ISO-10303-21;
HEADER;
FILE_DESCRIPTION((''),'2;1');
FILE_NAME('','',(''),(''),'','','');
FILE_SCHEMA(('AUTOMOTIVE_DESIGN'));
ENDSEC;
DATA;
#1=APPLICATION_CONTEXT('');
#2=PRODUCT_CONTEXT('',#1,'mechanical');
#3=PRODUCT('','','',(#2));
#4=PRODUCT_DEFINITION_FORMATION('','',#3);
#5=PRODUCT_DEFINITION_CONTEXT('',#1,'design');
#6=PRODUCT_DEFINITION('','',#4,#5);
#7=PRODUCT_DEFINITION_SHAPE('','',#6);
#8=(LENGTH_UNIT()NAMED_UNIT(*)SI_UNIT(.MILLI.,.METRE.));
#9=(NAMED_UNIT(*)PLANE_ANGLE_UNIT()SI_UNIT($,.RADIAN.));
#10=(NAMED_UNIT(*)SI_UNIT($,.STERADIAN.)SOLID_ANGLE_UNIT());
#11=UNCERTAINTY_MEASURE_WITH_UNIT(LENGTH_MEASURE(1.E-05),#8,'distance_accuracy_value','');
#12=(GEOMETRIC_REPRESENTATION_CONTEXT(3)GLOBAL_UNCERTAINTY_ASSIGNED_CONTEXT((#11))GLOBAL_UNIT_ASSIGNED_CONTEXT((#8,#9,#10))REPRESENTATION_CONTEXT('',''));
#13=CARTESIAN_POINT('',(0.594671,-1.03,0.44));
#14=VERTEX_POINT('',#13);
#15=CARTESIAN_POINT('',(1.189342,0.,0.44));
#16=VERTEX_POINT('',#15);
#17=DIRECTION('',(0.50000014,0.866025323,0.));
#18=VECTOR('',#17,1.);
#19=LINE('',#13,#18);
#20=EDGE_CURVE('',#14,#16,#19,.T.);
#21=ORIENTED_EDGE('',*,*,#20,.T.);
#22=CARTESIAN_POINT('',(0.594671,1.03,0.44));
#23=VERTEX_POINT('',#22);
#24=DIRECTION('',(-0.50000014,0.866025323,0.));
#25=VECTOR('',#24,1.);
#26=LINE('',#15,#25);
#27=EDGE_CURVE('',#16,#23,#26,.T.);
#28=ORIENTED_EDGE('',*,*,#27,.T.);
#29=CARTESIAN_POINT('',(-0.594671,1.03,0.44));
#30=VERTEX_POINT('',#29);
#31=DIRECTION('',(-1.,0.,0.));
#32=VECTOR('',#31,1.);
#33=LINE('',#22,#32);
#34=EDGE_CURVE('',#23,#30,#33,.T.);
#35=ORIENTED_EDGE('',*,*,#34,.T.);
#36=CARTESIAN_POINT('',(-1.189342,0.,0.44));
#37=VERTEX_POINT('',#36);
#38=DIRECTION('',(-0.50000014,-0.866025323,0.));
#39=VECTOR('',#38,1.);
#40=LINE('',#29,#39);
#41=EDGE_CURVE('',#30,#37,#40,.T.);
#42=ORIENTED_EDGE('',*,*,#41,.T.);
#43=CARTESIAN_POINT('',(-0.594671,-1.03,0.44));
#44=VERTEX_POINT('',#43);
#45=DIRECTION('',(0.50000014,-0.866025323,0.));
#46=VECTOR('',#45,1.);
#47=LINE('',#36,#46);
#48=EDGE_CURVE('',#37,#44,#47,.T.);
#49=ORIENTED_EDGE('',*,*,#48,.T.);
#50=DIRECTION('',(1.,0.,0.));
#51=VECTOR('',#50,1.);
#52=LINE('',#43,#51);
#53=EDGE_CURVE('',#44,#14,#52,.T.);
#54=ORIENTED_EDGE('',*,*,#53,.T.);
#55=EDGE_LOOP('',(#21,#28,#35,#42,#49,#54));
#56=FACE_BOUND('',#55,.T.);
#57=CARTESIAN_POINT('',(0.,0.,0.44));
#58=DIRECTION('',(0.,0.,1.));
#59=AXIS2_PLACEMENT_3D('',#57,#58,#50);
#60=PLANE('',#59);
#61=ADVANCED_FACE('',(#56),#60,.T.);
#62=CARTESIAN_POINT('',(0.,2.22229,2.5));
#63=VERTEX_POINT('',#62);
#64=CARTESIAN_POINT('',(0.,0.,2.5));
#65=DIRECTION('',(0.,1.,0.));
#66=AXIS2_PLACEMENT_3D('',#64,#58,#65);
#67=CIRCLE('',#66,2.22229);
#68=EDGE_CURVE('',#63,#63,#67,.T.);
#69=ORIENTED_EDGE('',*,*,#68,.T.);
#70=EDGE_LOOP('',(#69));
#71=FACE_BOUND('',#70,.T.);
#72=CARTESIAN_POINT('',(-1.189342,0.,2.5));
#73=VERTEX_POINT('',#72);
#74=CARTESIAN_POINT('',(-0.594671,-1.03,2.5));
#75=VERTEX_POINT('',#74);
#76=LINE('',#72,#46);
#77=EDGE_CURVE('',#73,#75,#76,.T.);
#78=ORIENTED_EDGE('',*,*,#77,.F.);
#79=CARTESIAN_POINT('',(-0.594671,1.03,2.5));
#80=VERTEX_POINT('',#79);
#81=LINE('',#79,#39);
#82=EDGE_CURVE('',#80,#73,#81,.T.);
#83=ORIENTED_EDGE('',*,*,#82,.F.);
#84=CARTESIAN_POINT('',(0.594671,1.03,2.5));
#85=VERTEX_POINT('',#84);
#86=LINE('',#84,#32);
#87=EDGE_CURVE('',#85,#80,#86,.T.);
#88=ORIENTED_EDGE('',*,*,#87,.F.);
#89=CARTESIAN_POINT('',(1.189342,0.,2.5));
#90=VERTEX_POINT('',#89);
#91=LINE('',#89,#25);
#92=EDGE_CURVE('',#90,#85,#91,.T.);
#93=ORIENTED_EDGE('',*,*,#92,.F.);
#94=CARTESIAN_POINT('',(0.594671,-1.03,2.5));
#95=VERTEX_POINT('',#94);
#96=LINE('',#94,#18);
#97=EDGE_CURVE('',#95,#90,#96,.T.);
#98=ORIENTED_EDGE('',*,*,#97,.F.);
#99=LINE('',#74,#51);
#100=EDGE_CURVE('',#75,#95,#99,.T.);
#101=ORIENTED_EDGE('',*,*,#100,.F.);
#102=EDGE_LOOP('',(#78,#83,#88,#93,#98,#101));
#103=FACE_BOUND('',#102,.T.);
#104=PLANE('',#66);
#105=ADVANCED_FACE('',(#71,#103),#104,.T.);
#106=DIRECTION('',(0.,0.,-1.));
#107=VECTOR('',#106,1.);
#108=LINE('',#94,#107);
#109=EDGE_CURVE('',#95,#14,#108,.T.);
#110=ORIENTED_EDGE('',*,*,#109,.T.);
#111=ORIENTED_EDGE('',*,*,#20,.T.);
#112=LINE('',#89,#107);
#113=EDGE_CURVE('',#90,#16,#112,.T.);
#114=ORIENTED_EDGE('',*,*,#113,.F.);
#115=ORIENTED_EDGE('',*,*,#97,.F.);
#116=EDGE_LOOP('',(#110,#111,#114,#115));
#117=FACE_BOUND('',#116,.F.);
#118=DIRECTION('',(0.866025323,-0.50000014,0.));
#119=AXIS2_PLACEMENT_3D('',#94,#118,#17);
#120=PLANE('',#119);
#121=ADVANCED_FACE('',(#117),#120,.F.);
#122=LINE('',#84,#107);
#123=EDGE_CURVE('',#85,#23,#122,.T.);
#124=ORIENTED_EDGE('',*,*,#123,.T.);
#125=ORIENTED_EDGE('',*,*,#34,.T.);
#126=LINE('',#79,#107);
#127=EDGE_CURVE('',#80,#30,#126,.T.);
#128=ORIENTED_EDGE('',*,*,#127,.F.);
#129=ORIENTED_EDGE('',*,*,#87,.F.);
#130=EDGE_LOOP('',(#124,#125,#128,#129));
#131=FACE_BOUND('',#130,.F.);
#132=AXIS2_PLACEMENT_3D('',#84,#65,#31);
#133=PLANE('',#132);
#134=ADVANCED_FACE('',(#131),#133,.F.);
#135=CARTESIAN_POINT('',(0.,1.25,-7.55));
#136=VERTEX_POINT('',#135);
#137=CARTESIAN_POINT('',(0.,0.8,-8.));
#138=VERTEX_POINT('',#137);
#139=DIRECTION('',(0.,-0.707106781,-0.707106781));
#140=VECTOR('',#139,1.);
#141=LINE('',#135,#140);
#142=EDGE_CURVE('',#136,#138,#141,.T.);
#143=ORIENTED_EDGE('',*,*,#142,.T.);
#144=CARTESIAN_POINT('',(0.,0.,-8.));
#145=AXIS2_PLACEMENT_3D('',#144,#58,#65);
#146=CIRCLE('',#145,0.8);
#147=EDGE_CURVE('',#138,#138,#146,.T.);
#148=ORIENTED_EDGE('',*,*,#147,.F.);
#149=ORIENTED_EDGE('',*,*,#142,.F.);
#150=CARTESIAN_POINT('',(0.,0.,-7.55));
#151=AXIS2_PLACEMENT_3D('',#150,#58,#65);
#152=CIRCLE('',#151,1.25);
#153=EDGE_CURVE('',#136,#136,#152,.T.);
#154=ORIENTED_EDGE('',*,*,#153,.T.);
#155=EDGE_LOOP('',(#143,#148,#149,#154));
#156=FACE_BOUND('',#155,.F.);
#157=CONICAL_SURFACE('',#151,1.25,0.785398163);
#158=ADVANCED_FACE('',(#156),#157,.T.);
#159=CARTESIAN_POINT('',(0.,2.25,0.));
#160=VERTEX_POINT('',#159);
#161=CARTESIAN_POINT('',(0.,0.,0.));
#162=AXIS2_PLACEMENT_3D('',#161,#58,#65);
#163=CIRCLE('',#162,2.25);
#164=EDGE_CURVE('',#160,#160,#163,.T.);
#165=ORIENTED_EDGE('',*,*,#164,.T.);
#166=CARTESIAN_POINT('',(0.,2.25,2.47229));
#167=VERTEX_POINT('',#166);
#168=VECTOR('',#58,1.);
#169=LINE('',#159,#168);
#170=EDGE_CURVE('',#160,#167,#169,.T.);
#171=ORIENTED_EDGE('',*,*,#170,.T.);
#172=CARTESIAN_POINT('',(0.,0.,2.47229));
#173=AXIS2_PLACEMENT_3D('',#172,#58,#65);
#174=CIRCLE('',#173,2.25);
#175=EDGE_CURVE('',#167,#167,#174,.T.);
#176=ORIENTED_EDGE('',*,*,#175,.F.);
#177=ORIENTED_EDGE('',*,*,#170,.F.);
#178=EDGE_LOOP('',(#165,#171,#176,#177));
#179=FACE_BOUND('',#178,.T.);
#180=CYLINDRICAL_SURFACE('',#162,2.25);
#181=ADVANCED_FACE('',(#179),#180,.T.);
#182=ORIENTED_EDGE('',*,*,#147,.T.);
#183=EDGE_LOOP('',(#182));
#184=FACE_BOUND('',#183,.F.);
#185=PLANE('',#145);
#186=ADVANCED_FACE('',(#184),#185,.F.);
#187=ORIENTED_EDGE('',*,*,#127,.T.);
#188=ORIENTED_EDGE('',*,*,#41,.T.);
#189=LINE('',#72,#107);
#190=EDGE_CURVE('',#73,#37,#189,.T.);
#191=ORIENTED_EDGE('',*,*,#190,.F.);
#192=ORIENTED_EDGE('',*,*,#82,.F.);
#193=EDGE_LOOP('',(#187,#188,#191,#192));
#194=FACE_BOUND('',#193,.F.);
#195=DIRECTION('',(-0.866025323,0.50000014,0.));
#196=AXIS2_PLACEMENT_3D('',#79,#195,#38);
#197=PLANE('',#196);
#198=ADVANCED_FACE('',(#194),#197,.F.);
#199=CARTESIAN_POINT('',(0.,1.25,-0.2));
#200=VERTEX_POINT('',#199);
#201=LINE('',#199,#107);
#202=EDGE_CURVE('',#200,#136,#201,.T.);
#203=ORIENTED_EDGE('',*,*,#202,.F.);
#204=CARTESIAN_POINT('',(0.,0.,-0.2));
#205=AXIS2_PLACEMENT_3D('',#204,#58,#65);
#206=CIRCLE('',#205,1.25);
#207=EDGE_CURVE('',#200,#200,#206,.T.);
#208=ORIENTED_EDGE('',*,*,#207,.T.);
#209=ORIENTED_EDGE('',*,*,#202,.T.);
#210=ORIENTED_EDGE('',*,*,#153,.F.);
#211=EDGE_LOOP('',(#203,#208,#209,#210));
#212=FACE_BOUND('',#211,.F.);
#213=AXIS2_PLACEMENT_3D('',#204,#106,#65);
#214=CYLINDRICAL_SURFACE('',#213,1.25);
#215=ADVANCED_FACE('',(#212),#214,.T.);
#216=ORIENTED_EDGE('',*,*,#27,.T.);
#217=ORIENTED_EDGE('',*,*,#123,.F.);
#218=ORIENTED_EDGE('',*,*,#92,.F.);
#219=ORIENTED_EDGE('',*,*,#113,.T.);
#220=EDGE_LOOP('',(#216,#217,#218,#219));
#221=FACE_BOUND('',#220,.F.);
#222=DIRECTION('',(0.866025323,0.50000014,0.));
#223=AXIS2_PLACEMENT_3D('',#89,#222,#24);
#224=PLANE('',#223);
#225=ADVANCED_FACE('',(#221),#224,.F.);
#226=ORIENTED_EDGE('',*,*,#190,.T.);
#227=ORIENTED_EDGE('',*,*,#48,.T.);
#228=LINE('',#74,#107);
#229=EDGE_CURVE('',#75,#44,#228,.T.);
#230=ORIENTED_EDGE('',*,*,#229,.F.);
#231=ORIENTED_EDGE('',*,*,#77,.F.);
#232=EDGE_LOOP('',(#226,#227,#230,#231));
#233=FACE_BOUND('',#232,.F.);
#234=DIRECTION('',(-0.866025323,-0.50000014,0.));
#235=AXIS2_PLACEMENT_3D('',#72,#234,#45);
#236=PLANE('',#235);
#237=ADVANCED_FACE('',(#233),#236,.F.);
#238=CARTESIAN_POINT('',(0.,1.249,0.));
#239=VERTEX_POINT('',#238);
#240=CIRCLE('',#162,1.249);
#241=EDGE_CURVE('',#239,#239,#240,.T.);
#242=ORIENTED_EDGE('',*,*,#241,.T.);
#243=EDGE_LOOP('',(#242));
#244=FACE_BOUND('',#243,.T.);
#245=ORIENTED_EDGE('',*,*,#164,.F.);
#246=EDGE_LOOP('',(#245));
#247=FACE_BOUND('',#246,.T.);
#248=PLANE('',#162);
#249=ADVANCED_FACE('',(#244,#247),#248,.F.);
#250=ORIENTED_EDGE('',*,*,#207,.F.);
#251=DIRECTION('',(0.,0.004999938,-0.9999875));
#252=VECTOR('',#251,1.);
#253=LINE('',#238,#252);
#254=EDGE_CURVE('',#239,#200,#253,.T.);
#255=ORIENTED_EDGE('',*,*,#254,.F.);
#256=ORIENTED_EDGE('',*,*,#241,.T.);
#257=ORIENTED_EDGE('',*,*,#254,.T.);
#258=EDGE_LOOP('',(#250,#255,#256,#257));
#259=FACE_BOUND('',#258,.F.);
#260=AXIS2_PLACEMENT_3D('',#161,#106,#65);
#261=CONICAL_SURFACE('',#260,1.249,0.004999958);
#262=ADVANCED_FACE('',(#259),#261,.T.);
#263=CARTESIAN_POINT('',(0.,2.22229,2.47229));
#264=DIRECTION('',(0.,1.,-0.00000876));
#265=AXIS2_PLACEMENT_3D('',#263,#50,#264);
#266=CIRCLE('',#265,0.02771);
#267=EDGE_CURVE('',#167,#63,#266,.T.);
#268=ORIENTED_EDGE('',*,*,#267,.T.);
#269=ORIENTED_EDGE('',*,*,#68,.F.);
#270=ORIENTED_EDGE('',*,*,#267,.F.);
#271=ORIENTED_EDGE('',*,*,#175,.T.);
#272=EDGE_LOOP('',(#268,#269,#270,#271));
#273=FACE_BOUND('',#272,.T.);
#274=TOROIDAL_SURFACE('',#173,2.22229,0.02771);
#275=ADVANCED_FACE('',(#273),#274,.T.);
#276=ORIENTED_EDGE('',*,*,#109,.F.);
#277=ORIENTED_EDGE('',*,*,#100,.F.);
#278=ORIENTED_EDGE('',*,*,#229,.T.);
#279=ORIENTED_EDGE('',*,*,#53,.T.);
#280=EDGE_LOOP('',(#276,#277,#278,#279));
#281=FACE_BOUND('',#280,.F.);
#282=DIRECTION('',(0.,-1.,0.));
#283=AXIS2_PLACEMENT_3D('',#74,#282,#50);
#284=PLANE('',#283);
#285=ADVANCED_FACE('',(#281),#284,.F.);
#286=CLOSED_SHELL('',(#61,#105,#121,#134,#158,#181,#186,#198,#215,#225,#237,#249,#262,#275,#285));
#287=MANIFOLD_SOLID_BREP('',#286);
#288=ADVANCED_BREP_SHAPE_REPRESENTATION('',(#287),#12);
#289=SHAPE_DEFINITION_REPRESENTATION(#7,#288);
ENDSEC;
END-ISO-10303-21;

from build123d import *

# Parameters (mm, degrees)
POCKET_DEPTH = 2.06


with BuildPart() as part:
    # Sketch → Revolve (revolve)
    with BuildSketch(Plane.YZ):
        with BuildLine():
            Line((1.249, 0), (2.25, 0))
            Line((2.25, 0), (2.25, 2.47229))
            ThreePointArc((2.25, 2.47229), (2.241884, 2.491884), (2.22229, 2.5))
            Line((2.22229, 2.5), (0, 2.5))
            Line((0, -8), (0, 2.5))
            Line((0.8, -8), (0, -8))
            Line((1.25, -7.55), (0.8, -8))
            Line((1.25, -0.2), (1.25, -7.55))
            Line((1.249, 0), (1.25, -0.2))
        make_face()
    revolve(axis=Axis((0, 0, 0), (0, 0, 1)))

    # Sketch001 → Pocket (cut)
    with BuildSketch(Plane.XY.offset(2.5)):
        Polygon((1.189342, 0), (0.594671, 1.03), (-0.594671, 1.03), (-1.189342, 0), (-0.594671, -1.03), (0.594671, -1.03), align=None)
    extrude(amount=-POCKET_DEPTH, mode=Mode.SUBTRACT)


solid = part.part
